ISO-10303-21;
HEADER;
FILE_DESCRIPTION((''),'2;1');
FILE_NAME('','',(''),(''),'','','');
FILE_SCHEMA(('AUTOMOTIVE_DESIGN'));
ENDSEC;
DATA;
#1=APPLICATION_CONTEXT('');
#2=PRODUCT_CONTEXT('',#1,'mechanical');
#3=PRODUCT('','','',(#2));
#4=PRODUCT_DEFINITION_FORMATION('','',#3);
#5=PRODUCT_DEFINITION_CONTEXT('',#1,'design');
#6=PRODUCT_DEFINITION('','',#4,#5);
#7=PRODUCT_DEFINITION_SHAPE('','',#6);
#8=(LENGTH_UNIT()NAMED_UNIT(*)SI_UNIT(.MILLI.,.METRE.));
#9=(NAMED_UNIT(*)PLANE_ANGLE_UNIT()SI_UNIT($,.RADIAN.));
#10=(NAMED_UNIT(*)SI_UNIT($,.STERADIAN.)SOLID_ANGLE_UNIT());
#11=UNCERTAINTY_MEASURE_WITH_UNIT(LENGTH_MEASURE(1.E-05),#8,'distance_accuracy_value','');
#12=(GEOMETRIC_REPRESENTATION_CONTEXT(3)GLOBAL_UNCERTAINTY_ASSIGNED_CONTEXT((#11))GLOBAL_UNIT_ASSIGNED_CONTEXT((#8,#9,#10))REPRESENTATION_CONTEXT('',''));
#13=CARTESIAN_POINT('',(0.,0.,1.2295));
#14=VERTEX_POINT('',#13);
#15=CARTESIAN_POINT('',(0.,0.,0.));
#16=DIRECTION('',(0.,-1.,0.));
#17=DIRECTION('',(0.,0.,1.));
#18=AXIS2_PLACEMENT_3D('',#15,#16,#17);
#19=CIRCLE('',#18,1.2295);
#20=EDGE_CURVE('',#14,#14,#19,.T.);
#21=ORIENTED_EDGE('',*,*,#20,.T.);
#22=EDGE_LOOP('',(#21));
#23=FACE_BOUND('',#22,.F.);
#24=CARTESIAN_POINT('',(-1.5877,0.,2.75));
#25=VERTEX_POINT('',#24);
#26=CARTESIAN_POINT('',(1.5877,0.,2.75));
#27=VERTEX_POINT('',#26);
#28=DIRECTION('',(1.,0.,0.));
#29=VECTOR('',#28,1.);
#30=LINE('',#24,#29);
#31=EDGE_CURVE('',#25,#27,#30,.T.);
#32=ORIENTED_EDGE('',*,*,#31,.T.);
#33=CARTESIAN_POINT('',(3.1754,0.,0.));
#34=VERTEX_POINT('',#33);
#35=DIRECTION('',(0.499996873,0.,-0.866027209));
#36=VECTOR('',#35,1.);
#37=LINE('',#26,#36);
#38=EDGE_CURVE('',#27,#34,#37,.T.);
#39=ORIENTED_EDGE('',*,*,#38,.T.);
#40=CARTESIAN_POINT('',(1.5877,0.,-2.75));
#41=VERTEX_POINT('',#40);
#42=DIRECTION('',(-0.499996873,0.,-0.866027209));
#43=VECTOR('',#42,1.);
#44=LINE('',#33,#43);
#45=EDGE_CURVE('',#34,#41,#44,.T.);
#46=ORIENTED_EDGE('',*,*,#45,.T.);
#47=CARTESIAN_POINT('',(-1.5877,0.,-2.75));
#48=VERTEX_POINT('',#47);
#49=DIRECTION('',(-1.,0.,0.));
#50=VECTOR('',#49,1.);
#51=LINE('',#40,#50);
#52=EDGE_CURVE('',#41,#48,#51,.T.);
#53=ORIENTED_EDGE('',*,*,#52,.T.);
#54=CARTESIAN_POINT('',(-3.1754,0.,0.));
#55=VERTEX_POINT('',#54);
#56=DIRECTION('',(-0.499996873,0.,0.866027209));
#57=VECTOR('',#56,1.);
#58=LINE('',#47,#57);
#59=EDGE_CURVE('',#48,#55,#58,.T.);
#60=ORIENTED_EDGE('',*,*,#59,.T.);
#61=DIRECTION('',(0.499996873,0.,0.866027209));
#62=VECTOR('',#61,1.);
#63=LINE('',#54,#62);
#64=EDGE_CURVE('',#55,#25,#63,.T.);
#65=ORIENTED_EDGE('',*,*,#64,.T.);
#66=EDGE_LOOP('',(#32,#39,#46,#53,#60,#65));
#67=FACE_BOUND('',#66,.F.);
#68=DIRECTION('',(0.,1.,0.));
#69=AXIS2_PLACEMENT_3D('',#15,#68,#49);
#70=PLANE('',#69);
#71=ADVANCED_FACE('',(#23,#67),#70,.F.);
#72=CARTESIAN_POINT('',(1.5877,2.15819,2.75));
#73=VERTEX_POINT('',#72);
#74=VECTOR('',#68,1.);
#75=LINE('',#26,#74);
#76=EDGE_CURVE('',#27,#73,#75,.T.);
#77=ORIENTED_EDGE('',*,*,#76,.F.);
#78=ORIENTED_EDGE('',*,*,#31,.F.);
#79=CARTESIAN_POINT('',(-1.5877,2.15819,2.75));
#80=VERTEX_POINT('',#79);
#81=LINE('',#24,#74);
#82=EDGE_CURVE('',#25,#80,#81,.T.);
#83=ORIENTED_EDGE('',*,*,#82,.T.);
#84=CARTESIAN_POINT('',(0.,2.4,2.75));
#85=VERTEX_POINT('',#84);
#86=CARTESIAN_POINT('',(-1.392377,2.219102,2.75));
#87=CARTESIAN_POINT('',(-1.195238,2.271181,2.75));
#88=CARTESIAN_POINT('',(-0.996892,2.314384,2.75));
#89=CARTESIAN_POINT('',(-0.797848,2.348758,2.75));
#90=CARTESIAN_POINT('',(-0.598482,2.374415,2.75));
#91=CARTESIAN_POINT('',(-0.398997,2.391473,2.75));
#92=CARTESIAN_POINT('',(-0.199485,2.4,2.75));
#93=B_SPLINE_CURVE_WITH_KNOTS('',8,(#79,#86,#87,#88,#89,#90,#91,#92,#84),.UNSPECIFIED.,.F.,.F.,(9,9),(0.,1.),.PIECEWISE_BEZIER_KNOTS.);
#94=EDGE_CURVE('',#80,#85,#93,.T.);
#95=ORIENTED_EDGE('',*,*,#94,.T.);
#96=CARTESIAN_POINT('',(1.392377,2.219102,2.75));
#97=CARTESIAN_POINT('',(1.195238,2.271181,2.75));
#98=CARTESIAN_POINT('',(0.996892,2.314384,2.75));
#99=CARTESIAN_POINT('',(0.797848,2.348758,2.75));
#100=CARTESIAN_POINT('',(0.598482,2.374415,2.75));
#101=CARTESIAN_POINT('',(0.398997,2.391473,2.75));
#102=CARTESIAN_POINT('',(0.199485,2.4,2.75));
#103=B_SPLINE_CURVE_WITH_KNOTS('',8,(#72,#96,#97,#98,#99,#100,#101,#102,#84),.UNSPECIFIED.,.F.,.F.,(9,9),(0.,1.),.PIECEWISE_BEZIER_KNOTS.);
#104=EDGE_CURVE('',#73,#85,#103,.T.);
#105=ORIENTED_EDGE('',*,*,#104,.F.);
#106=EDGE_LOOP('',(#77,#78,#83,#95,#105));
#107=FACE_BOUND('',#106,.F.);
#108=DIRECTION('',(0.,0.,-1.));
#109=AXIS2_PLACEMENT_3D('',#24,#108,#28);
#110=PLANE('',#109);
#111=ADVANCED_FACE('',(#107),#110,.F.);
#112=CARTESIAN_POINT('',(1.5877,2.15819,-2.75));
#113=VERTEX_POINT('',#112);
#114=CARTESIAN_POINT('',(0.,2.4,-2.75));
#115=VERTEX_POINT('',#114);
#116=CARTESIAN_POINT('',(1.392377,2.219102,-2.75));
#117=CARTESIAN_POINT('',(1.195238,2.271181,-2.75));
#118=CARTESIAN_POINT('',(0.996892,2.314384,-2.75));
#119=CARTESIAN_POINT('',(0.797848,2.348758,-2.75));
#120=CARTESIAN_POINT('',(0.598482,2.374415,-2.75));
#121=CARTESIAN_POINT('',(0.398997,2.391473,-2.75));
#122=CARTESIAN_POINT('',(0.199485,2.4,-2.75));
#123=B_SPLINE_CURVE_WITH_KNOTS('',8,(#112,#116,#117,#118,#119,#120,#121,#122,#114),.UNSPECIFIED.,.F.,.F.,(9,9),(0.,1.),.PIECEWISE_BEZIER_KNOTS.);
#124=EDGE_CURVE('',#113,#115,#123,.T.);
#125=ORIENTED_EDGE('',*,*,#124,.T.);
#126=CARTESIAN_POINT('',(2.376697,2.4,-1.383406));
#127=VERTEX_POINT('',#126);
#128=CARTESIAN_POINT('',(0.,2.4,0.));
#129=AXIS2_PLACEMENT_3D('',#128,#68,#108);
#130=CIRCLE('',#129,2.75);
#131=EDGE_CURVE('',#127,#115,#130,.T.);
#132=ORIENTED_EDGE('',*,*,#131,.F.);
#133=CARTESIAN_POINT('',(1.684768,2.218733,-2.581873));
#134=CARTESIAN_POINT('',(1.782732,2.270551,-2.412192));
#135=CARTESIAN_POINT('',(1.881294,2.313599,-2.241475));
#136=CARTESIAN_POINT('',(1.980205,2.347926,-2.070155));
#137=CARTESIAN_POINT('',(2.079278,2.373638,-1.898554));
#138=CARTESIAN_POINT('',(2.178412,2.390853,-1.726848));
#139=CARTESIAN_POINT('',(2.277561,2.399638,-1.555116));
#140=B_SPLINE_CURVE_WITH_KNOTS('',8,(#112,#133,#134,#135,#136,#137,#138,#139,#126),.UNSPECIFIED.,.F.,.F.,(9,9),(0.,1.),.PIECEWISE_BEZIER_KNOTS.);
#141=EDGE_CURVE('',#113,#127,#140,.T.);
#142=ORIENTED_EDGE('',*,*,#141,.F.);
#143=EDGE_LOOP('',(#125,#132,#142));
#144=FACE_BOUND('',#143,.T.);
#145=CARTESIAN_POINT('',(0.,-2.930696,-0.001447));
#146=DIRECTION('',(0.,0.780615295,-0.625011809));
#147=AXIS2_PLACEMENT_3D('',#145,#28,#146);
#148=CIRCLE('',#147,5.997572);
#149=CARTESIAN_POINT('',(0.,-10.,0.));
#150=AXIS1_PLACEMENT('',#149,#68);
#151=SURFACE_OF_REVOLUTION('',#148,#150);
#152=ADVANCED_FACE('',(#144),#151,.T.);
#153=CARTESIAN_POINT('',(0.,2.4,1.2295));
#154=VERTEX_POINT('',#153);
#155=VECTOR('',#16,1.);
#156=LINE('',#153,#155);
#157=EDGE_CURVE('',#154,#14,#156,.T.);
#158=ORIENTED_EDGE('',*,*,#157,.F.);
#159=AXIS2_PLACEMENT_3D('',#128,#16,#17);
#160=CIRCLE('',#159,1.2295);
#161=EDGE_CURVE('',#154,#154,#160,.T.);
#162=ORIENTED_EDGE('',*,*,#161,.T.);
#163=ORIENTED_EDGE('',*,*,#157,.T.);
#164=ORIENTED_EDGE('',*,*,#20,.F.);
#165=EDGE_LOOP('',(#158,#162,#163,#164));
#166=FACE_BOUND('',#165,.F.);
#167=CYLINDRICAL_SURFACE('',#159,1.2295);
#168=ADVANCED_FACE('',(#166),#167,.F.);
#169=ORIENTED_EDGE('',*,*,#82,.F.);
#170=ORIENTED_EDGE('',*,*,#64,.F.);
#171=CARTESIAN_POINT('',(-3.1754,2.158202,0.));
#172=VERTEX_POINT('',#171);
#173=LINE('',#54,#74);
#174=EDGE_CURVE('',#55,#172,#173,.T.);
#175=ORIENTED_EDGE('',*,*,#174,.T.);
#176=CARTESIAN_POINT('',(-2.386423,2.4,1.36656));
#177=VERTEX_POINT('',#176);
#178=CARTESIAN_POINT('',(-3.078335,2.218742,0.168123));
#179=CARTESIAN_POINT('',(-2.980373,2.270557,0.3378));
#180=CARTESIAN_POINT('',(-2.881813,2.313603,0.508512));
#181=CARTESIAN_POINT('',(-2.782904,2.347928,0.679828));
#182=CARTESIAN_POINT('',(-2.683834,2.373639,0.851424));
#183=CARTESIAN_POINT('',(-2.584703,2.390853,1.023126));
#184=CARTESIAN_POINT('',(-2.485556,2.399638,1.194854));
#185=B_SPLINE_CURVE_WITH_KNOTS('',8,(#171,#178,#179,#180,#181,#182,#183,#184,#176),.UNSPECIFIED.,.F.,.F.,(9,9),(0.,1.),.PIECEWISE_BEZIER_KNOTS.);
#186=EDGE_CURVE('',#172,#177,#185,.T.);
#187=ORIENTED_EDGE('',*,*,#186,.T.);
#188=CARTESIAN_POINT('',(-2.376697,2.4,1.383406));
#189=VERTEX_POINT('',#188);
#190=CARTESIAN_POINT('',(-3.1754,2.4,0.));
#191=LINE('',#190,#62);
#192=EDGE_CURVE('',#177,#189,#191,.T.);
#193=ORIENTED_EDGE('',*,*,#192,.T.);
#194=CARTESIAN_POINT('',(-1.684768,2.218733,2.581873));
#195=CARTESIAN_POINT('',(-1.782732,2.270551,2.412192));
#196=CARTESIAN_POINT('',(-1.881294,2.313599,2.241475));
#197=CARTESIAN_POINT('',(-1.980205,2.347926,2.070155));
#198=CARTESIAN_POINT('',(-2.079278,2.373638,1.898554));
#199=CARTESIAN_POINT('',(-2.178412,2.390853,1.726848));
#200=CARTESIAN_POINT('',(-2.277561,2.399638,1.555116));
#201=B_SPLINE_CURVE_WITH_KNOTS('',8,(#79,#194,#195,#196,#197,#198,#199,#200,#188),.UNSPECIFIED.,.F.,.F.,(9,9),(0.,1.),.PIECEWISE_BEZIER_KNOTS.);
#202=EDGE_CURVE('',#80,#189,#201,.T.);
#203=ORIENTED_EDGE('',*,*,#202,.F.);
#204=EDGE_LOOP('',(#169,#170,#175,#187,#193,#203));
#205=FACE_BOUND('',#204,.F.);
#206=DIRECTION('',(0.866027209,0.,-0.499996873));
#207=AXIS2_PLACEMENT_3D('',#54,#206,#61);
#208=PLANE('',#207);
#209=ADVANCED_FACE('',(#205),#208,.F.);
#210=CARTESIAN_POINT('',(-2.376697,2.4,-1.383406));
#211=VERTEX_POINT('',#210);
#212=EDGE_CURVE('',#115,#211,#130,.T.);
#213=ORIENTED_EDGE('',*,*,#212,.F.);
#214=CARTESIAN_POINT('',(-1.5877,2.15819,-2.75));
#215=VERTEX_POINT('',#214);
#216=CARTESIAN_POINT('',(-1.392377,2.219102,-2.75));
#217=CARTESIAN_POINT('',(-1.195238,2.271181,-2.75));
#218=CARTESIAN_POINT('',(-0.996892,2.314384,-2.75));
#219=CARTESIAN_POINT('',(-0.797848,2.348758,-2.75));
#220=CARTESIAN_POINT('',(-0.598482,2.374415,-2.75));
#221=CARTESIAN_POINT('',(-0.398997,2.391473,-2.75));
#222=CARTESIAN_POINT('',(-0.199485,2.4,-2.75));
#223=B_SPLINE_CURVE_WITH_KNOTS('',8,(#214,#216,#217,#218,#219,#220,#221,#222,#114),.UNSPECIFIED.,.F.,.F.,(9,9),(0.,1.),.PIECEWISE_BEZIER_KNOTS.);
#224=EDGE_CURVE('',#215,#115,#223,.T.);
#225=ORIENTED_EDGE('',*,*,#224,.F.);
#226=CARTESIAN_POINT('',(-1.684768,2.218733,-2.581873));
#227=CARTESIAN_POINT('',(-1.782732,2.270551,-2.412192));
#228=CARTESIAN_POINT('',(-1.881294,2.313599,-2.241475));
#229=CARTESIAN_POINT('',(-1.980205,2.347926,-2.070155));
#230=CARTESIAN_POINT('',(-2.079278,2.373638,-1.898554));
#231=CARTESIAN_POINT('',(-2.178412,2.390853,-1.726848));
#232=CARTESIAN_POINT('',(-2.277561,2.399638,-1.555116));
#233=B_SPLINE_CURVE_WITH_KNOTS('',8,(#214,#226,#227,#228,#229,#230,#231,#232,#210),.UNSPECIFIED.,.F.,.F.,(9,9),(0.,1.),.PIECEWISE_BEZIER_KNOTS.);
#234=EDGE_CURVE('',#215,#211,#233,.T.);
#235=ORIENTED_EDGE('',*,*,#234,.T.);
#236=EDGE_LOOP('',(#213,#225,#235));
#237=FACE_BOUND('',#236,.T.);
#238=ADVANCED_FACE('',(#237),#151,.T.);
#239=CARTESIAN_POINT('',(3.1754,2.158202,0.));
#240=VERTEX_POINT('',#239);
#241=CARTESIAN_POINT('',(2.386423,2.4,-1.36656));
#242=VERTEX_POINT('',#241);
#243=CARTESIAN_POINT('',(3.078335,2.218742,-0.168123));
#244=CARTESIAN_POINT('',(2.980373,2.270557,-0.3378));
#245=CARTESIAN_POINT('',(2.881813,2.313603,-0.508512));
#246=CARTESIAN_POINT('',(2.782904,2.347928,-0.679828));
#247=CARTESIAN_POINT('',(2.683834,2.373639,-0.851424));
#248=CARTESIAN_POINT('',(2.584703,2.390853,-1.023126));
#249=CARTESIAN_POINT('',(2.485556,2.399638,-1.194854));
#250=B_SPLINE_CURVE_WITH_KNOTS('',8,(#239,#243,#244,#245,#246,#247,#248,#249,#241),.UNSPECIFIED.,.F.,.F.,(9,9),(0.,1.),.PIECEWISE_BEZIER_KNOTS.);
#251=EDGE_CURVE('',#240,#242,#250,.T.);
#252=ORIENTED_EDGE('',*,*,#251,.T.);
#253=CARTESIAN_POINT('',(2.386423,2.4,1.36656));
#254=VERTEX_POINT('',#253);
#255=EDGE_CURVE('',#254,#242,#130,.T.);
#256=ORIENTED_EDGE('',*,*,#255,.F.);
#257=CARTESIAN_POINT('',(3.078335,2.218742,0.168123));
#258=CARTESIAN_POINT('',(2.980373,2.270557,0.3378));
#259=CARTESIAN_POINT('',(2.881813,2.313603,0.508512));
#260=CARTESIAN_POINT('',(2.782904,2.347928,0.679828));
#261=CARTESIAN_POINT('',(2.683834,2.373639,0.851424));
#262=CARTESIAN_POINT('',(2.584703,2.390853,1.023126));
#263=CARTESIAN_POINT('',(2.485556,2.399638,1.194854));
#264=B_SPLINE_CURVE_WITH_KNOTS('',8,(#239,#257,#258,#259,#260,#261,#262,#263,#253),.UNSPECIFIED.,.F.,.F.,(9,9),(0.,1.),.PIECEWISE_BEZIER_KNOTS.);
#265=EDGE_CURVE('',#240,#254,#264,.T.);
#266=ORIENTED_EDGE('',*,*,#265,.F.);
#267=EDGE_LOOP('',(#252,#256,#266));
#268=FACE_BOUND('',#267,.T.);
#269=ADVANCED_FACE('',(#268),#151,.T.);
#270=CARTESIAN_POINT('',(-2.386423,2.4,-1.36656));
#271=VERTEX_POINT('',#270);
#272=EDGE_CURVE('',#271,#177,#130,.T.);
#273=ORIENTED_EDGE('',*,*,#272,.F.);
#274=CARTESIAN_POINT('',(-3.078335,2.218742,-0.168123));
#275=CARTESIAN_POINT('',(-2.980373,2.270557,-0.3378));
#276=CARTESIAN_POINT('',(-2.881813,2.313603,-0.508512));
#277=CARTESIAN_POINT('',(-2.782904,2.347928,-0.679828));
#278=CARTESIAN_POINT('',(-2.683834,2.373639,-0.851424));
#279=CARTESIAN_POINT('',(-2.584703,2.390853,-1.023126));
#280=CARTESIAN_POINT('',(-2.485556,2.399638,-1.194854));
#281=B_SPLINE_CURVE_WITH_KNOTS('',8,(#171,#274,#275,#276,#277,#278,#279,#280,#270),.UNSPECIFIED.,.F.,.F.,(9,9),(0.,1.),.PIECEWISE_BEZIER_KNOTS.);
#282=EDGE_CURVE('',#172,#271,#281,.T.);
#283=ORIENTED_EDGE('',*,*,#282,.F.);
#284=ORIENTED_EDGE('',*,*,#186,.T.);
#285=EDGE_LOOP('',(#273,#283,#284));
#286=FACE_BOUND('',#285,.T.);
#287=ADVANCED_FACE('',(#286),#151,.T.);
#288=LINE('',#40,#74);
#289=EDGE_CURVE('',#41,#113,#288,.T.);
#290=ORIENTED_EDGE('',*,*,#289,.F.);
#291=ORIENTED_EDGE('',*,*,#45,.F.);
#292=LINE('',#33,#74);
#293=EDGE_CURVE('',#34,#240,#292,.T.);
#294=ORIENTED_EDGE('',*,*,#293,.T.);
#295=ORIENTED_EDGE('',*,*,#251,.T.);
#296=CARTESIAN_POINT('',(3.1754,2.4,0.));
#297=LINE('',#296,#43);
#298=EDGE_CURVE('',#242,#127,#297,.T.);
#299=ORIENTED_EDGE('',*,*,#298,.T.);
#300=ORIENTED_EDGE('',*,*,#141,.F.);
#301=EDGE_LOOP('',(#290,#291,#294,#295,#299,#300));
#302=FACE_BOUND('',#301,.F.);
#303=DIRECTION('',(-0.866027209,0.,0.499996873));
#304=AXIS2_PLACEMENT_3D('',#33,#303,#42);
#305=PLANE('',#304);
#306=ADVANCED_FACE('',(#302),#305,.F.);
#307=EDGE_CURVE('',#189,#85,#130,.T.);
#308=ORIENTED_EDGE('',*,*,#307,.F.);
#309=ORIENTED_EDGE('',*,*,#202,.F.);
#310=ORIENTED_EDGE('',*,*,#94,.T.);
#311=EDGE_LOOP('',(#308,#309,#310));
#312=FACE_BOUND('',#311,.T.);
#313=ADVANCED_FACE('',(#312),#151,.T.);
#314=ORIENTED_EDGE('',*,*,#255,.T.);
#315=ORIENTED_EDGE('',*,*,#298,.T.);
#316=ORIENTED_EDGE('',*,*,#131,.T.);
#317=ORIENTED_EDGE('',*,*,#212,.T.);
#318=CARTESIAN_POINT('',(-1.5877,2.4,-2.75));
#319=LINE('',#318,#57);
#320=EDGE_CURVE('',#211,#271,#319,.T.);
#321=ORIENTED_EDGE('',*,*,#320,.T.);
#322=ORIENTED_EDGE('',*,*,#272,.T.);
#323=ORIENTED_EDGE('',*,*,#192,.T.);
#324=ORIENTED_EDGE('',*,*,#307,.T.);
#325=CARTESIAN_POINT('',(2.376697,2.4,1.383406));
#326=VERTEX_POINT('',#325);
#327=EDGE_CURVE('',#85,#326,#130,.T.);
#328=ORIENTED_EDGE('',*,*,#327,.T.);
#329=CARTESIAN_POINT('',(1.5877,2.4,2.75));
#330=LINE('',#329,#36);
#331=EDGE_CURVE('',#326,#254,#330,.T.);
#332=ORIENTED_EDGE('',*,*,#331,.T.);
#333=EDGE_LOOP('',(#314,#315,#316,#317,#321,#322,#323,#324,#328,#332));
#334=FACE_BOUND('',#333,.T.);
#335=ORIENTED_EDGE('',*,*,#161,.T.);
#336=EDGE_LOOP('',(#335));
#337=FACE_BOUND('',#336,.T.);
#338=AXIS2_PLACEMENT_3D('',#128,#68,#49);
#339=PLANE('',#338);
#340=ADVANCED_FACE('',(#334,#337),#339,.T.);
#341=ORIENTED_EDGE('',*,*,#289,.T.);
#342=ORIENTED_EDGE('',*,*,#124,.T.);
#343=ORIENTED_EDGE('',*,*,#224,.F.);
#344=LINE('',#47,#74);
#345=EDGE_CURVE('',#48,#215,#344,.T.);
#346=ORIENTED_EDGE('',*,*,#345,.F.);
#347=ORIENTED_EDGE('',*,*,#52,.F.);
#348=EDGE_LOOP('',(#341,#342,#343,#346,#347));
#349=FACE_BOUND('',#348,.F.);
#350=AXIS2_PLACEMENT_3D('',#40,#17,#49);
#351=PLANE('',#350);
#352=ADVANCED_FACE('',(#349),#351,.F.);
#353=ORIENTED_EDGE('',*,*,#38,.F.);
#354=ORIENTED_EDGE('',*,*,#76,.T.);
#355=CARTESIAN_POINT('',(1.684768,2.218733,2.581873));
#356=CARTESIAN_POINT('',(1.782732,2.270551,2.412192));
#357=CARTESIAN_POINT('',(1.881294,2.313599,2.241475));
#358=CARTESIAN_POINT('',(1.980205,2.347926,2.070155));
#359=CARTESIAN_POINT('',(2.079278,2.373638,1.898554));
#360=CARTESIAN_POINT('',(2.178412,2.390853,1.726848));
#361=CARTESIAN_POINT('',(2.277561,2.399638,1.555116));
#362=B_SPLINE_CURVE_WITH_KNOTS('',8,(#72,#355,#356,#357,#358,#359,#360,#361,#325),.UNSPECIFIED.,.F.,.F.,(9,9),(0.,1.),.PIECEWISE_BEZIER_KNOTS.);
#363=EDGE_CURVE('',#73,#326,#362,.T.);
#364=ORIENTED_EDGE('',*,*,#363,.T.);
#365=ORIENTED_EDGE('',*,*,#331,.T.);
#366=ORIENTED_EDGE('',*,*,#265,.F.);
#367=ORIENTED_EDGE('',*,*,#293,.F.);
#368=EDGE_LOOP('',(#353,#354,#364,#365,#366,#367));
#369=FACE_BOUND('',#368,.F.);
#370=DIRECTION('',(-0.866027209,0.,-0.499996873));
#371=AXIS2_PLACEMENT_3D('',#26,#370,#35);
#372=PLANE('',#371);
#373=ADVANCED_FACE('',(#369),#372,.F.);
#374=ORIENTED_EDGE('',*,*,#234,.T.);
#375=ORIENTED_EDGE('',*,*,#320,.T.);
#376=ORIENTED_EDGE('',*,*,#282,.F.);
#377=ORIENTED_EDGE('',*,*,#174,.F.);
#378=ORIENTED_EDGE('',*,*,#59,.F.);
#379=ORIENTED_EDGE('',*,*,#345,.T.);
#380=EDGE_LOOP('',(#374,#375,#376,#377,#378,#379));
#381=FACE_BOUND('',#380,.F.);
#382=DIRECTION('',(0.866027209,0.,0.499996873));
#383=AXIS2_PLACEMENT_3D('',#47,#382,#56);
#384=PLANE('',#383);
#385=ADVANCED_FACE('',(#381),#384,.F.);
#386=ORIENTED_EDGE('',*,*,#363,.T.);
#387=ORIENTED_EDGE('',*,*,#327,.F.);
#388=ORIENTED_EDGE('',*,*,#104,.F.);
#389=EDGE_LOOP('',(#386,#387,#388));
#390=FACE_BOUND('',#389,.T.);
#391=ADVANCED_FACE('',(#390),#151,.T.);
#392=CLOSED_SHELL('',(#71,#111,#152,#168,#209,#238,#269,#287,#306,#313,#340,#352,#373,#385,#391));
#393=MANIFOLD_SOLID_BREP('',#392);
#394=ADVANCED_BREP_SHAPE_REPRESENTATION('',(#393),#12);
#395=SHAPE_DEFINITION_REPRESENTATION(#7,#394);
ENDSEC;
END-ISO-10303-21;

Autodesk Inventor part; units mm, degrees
ref_plane "YZ Plane" through (0, 0, 0) normal (1, 0, 0) x (0, 1, 0)
ref_plane "XZ Plane" through (0, 0, 0) normal (0, 1, 0) x (-1, 0, 0)
ref_plane "XY Plane" through (0, 0, 0) normal (0, 0, 1) x (1, 0, 0)
sketch "スケッチ1" plane through (0, 0, 0) normal (0, 1, 0) x (-1, 0, 0)
  circle A0 centre (0, 0) radius 3.1754 construction
  line L0 (3.1754, 0) -> (1.5877, 2.75)
  line L1 (1.5877, 2.75) -> (-1.5877, 2.75)
  line L2 (-1.5877, 2.75) -> (-3.1754, 0)
  line L3 (-3.1754, 0) -> (-1.5877, -2.75)
  line L4 (-1.5877, -2.75) -> (1.5877, -2.75)
  line L5 (1.5877, -2.75) -> (3.1754, 0)
  dimension "d0" = 5.5
extrude "押し出し1" add sketch "スケッチ1" along normal blind 2.4
sketch "スケッチ2" plane through (0, 2.4, 0) normal (0, 1, 0) x (1, 0, 0)
  point P0 (0, 0)
  point P1 (0, 0)
hole "穴1" at (0, 2.4, 0) direction (0, -1, 0) diameter 2.459 end through all thread size "M3x0.5" class "6H" standard "ISO Metric profile"
sketch "スケッチ3" plane through (0, 0, 0) normal (1, 0, 0) x (0, 1, 0)
  arc A0 (1.7511, -3.75) -> (2.4, -2.75) centre (-2.9327, 0) ccw
  line L0 (0, -2.75) -> (2.4, -2.75) construction
  line L1 (2.4, -3.75) -> (1.7511, -3.75)
  line L2 (2.4, 1.2295) -> (2.4, -1.2295) construction
  line L3 (2.4, -2.75) -> (2.4, -3.75)
  line L4 (-4.0042, 0) -> (3.4964, 0) projected
  point P0 (0, 0)
  point P1 (2.4, 0)
  dimension "d10" = 2.75
  dimension "d11" = 6
  dimension "d12" = 1
revolve "回転1" cut sketch "スケッチ3" angle 360 about axis through (0, -10, 0) along (0, 1, 0)
properties part number "M3-HexaNut-type2"
